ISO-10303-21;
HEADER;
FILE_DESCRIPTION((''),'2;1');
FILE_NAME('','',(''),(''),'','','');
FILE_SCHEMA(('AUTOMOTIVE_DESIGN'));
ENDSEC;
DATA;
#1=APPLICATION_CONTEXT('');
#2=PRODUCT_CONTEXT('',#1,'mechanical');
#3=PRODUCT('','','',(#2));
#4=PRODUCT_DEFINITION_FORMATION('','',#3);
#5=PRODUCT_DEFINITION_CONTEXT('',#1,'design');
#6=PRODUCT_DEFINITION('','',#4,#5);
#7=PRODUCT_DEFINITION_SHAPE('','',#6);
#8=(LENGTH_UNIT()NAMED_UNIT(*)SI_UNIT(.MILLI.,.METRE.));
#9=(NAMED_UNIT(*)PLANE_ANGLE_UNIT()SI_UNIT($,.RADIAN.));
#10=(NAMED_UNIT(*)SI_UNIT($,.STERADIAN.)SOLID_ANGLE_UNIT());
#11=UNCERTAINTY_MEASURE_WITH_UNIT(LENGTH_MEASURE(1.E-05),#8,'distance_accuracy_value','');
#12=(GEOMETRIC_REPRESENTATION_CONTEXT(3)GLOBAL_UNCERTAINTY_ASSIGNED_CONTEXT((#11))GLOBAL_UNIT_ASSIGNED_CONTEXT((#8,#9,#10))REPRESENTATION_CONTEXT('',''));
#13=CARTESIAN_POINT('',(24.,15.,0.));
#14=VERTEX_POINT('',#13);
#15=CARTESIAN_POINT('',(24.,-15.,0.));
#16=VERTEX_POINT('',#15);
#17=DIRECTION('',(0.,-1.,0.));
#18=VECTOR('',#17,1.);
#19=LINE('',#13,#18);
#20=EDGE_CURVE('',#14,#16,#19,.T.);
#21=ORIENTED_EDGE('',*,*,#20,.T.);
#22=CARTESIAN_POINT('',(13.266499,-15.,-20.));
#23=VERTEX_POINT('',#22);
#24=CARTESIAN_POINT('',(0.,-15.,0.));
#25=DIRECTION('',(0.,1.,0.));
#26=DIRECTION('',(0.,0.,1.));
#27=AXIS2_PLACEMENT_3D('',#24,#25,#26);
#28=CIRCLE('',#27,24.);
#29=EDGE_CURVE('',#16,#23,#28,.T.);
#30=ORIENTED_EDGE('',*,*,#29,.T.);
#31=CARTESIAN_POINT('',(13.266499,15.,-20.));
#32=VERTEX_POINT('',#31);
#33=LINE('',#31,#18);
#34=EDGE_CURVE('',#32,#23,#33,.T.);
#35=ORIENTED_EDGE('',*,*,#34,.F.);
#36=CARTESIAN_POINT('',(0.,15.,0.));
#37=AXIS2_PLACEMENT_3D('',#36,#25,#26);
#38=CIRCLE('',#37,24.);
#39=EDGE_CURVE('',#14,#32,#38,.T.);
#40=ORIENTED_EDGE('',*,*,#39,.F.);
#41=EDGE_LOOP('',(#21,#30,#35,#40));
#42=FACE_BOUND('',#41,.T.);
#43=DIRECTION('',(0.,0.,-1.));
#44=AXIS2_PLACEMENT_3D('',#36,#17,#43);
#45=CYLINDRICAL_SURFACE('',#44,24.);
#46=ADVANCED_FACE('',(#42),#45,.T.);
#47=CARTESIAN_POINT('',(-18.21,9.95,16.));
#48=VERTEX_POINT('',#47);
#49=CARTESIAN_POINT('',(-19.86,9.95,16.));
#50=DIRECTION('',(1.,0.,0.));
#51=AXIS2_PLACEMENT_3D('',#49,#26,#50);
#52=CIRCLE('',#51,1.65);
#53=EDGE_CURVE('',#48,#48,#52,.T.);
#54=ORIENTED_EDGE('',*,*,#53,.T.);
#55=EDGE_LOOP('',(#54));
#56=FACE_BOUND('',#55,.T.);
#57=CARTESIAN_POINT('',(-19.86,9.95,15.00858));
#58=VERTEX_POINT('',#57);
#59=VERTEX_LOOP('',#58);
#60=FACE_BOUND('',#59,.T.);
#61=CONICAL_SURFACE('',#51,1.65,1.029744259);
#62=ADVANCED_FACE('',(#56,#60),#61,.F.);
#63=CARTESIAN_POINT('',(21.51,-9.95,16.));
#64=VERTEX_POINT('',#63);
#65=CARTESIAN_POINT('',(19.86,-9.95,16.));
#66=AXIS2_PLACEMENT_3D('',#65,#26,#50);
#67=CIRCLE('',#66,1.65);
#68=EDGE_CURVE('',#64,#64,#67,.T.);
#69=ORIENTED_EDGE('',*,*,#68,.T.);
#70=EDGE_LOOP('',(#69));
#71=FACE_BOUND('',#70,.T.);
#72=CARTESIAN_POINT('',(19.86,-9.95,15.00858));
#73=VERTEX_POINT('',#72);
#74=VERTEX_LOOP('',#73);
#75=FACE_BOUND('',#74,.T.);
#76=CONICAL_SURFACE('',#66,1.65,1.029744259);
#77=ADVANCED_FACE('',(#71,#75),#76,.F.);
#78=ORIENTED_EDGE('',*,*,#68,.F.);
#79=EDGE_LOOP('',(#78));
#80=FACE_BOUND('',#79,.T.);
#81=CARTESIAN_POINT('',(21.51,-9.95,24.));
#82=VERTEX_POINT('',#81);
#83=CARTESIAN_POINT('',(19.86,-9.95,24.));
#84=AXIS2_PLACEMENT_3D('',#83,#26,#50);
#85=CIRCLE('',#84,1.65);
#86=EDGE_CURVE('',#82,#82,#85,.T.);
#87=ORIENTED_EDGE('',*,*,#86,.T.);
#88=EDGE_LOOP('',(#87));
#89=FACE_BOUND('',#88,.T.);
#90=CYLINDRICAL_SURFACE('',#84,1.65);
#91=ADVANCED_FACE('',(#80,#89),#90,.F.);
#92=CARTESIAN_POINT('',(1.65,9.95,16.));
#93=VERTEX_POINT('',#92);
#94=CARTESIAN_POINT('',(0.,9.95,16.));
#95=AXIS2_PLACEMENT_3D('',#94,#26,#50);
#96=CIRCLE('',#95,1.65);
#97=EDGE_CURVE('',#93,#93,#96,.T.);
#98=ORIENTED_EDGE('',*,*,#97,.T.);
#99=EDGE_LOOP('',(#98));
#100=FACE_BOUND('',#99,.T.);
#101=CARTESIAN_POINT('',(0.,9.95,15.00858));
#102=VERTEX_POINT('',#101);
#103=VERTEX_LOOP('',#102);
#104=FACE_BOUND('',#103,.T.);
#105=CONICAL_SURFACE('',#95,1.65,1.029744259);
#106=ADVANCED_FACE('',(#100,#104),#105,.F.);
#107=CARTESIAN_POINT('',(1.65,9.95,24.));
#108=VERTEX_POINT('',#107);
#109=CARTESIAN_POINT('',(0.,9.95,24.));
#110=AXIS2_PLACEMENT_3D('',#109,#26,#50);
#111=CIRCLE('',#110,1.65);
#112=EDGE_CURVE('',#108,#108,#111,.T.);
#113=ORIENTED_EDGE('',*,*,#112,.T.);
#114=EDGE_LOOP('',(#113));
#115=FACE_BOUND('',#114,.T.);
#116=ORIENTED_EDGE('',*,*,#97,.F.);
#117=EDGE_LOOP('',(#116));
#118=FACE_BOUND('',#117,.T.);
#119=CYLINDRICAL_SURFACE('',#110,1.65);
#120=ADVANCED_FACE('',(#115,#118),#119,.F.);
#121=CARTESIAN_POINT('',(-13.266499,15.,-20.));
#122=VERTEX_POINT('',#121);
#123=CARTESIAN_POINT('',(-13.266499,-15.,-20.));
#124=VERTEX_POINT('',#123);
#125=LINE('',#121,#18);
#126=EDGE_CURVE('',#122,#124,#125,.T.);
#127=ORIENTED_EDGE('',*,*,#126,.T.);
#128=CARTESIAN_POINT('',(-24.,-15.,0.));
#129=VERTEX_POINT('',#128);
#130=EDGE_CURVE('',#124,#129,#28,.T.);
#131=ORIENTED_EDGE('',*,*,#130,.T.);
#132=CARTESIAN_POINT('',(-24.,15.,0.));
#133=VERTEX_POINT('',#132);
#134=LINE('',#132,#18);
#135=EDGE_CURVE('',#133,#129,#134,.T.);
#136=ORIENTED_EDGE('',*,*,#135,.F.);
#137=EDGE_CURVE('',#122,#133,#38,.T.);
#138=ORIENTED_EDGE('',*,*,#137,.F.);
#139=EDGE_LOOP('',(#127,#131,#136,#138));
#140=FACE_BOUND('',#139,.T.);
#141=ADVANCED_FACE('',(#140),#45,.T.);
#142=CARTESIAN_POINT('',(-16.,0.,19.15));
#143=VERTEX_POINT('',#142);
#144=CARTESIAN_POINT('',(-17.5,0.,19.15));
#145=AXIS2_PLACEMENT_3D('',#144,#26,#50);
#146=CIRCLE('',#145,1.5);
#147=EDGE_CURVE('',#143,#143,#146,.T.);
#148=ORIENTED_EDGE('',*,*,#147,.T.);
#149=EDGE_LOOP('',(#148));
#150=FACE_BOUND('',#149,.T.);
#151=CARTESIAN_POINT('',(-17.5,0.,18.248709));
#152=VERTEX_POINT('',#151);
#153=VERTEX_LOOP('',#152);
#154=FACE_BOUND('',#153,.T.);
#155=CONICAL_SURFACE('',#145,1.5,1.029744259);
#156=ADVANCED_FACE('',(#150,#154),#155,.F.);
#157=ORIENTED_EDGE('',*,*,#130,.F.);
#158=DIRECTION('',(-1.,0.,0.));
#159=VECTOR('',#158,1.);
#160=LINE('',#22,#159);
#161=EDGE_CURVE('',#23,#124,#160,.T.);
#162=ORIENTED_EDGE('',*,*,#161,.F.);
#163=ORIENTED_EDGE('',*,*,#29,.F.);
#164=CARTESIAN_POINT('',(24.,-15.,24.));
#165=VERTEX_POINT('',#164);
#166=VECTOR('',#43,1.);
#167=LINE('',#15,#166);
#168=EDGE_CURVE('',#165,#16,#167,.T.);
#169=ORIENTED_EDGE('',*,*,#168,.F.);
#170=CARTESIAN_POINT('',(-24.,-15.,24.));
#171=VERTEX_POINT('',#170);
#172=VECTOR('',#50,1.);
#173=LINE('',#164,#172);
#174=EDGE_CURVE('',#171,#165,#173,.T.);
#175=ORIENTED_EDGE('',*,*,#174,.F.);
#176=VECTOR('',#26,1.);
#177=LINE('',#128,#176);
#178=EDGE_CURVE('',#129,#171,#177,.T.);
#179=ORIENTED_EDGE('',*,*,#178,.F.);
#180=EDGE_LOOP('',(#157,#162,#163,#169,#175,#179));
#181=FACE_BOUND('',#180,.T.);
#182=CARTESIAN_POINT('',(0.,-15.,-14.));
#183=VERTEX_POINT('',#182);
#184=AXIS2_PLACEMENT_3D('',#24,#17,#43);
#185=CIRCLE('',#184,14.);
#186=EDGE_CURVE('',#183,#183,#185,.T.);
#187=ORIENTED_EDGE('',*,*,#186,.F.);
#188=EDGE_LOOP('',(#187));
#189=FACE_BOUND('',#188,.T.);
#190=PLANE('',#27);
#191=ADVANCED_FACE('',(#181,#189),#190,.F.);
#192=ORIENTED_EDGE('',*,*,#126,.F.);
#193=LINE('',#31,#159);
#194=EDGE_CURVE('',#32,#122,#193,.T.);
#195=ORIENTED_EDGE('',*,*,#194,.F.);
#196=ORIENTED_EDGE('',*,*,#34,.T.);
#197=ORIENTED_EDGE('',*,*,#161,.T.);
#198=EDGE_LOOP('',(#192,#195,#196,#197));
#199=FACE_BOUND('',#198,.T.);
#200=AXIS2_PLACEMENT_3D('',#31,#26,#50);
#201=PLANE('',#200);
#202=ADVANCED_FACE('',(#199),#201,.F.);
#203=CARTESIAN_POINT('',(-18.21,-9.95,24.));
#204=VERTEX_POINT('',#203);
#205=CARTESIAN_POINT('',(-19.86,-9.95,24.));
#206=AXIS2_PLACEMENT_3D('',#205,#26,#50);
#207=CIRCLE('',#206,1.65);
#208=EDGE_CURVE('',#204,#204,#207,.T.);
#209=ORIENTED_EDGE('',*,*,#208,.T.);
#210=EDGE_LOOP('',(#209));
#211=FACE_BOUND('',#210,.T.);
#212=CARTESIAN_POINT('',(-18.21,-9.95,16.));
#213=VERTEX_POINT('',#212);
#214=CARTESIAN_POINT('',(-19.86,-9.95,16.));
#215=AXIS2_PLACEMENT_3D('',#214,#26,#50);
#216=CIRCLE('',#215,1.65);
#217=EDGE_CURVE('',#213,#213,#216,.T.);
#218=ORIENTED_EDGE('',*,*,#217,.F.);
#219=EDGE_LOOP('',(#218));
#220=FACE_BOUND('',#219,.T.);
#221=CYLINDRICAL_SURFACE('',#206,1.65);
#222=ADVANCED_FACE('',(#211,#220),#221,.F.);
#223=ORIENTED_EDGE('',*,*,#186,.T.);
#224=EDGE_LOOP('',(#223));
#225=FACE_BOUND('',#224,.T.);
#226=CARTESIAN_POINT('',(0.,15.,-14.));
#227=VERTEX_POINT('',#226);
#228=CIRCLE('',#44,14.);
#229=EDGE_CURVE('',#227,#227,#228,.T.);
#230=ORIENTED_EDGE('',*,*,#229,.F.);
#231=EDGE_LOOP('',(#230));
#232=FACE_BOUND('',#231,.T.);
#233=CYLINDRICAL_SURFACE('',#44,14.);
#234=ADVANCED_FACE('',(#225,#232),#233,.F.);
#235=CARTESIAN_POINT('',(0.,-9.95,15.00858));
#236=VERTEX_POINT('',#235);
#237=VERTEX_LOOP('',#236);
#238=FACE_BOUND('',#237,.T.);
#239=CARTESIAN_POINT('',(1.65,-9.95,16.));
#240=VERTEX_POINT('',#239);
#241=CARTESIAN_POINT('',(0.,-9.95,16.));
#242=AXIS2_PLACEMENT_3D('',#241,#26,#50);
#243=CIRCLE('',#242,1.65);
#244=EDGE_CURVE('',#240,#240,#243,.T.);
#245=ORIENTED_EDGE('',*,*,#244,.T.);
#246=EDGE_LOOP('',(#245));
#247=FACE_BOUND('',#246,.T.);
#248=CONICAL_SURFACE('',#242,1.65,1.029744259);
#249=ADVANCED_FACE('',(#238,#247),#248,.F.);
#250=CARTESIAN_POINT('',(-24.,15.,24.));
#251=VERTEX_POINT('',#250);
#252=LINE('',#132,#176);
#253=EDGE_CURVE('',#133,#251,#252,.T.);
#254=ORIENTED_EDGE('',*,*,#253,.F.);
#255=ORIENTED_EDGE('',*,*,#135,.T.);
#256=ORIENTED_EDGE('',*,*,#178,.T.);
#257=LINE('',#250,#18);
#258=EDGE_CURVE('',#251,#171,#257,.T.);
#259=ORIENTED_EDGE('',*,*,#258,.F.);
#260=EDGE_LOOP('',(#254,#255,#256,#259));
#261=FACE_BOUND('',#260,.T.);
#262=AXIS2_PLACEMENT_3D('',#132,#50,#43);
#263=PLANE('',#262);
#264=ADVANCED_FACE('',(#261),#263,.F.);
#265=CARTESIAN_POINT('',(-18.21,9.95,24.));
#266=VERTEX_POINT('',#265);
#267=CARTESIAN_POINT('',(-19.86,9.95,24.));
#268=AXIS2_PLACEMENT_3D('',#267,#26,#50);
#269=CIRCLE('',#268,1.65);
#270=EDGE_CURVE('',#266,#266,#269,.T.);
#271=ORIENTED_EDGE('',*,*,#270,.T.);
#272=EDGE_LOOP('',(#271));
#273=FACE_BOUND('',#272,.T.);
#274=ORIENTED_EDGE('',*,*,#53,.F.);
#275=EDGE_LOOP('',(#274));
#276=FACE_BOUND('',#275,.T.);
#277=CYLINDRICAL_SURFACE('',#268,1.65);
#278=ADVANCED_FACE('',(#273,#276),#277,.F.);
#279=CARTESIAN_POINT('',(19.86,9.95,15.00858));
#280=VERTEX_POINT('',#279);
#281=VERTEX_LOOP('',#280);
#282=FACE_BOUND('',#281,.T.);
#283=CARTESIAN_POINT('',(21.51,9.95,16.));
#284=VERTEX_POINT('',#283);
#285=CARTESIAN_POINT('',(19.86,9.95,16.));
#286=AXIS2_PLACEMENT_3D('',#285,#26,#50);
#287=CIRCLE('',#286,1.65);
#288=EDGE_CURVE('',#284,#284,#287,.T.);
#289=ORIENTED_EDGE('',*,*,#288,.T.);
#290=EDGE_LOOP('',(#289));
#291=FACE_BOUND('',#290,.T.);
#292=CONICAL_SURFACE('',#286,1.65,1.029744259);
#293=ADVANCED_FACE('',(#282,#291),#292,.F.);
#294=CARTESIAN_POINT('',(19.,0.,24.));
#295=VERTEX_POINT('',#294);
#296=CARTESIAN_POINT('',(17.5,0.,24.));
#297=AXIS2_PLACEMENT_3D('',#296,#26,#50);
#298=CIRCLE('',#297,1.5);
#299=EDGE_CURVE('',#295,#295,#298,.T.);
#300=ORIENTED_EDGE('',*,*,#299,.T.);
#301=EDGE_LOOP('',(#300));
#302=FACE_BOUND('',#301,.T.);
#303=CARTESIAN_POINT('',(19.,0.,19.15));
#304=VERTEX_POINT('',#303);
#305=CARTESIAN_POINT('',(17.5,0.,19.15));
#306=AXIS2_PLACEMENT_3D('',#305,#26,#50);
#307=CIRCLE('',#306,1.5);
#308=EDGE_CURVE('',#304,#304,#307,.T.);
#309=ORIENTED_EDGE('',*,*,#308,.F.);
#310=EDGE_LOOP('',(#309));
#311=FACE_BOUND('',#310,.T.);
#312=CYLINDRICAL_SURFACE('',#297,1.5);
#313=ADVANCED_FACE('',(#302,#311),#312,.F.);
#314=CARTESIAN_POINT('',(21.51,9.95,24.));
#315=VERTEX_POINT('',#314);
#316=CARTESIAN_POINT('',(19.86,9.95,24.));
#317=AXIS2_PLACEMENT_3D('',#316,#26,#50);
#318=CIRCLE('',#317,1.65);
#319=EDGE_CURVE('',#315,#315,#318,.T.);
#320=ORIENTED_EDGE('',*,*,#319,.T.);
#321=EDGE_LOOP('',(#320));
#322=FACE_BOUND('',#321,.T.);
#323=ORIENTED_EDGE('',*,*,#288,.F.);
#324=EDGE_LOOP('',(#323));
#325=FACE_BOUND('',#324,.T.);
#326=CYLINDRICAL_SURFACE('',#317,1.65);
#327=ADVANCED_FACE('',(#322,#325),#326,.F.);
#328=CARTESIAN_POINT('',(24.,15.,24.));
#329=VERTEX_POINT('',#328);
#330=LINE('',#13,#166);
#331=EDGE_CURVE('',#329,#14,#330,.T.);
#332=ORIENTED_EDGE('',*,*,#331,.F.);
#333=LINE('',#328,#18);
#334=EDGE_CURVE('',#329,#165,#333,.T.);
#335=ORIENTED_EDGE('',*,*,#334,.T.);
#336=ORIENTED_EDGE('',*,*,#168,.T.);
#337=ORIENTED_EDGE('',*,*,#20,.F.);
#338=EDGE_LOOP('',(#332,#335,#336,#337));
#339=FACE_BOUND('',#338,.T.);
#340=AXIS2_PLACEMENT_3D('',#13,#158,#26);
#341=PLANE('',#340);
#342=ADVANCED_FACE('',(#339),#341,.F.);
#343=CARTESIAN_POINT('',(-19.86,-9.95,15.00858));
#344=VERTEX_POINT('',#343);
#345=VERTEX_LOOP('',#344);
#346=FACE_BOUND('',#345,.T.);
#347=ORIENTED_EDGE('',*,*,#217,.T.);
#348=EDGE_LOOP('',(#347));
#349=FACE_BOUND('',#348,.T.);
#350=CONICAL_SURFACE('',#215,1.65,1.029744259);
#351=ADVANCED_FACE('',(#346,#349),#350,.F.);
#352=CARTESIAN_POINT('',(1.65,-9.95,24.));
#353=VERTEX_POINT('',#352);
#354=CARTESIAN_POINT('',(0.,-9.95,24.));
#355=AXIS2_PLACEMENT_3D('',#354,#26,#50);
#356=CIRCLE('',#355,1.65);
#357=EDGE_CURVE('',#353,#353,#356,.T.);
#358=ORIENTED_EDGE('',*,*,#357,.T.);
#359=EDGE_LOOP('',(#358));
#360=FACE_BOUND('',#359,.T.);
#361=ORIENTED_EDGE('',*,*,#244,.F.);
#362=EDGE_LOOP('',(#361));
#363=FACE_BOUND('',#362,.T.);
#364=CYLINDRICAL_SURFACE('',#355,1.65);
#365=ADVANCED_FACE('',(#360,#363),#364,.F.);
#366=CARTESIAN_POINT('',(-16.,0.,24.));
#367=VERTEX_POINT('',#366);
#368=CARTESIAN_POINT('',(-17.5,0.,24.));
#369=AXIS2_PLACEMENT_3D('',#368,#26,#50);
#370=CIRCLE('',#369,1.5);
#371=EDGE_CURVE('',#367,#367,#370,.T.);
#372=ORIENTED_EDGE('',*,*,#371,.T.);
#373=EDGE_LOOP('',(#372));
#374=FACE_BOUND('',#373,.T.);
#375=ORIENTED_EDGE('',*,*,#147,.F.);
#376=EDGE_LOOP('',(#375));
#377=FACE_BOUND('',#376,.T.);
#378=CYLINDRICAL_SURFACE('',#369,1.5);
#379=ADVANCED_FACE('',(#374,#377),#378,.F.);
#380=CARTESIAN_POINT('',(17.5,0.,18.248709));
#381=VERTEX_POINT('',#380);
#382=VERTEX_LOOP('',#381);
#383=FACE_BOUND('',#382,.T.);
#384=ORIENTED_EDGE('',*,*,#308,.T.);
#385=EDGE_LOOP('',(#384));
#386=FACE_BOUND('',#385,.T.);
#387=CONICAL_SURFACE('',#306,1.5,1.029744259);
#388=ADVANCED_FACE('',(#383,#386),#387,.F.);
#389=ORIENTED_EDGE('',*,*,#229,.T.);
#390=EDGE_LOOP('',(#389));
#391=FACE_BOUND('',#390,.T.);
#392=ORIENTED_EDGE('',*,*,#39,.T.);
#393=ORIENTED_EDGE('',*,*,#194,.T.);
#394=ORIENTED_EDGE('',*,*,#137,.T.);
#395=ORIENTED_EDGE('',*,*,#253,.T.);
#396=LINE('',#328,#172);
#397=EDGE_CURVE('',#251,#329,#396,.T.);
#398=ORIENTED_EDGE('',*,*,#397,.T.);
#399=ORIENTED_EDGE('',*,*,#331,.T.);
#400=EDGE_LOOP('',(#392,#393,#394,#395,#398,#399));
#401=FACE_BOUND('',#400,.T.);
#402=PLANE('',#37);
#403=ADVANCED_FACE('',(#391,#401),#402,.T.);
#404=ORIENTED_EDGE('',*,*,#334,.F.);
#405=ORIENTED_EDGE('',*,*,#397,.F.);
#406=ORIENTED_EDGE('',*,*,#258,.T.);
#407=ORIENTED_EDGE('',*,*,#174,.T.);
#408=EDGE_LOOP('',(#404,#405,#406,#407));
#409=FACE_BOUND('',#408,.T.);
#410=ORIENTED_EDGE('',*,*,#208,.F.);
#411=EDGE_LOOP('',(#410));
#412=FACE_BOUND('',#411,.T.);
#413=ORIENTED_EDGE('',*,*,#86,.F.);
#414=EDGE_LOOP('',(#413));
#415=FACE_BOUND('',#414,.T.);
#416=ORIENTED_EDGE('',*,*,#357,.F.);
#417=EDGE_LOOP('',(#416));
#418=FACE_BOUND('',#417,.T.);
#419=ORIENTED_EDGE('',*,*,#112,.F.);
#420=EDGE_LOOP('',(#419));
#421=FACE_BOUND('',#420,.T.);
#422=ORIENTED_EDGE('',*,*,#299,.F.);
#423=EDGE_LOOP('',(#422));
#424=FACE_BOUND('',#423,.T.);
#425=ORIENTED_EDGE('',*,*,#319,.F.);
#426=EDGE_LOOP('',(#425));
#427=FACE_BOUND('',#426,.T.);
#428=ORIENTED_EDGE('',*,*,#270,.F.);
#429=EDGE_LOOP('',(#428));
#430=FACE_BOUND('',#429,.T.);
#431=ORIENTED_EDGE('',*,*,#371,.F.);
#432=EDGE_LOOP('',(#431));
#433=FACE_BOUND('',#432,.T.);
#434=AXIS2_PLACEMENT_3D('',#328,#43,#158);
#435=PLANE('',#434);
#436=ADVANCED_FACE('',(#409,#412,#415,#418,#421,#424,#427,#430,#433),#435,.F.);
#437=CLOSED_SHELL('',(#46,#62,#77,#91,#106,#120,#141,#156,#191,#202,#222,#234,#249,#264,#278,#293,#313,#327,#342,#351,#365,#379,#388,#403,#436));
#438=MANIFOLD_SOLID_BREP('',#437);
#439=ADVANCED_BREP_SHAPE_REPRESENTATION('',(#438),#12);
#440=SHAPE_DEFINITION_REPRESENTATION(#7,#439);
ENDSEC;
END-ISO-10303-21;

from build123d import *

# Parameters (mm, degrees)
BOSS_EXTRUDE1_DEPTH       = 15
M4X0_7_TAPPED_HOLE1_D     = 3.3
M4X0_7_TAPPED_HOLE1_DEPTH = 8
M4X0_7_TAPPED_HOLE1_TIP   = 0.991420021
F_3_0MM_DOWEL_HOLE1_D     = 3
F_3_0MM_DOWEL_HOLE1_DEPTH = 4.85
F_3_0MM_DOWEL_HOLE1_TIP   = 0.901290929
SKETCH6_R                 = 14
CUT_EXTRUDE1_DEPTH        = 30


with BuildPart() as part:
    # Sketch1 → Boss-Extrude1 (new, symmetric)
    with BuildSketch(Plane(origin=(0, 0, 0), x_dir=(1, 0, 0), z_dir=(0, 1, 0))):
        with BuildLine():
            Line((13.266499161, 20), (-13.266499161, 20))
            ThreePointArc((-13.266499161, 20), (-21.147056295, 11.349097324), (-24, 0))
            Line((-24, 0), (-24, -24))
            Line((-24, -24), (24, -24))
            Line((24, -24), (24, 0))
            ThreePointArc((24, 0), (21.147056295, 11.349097324), (13.266499161, 20))
        make_face()
    extrude(amount=BOSS_EXTRUDE1_DEPTH, both=True)

    # M4x0.7 Tapped Hole1
    with Locations(Plane.XY.offset(24)):
        with Locations((-19.86, 9.95), (0, 9.95), (19.86, 9.95), (19.86, -9.95), (0, -9.95), (-19.86, -9.95)):
            Hole(M4X0_7_TAPPED_HOLE1_D / 2, depth=M4X0_7_TAPPED_HOLE1_DEPTH)
            with Locations((0, 0, -(M4X0_7_TAPPED_HOLE1_DEPTH + M4X0_7_TAPPED_HOLE1_TIP / 2))):  # 118° drill point
                Cone(0, M4X0_7_TAPPED_HOLE1_D / 2, M4X0_7_TAPPED_HOLE1_TIP, mode=Mode.SUBTRACT)

    # Ø3.0mm Dowel Hole1
    with Locations(Plane.XY.offset(24)):
        with Locations((-17.5, 0), (17.5, 0)):
            Hole(F_3_0MM_DOWEL_HOLE1_D / 2, depth=F_3_0MM_DOWEL_HOLE1_DEPTH)
            with Locations((0, 0, -(F_3_0MM_DOWEL_HOLE1_DEPTH + F_3_0MM_DOWEL_HOLE1_TIP / 2))):  # 118° drill point
                Cone(0, F_3_0MM_DOWEL_HOLE1_D / 2, F_3_0MM_DOWEL_HOLE1_TIP, mode=Mode.SUBTRACT)

    # Sketch6 → Cut-Extrude1 (cut)
    with BuildSketch(Plane.XZ.offset(15)):
        Circle(SKETCH6_R)
    extrude(amount=-CUT_EXTRUDE1_DEPTH, mode=Mode.SUBTRACT)


solid = part.part
